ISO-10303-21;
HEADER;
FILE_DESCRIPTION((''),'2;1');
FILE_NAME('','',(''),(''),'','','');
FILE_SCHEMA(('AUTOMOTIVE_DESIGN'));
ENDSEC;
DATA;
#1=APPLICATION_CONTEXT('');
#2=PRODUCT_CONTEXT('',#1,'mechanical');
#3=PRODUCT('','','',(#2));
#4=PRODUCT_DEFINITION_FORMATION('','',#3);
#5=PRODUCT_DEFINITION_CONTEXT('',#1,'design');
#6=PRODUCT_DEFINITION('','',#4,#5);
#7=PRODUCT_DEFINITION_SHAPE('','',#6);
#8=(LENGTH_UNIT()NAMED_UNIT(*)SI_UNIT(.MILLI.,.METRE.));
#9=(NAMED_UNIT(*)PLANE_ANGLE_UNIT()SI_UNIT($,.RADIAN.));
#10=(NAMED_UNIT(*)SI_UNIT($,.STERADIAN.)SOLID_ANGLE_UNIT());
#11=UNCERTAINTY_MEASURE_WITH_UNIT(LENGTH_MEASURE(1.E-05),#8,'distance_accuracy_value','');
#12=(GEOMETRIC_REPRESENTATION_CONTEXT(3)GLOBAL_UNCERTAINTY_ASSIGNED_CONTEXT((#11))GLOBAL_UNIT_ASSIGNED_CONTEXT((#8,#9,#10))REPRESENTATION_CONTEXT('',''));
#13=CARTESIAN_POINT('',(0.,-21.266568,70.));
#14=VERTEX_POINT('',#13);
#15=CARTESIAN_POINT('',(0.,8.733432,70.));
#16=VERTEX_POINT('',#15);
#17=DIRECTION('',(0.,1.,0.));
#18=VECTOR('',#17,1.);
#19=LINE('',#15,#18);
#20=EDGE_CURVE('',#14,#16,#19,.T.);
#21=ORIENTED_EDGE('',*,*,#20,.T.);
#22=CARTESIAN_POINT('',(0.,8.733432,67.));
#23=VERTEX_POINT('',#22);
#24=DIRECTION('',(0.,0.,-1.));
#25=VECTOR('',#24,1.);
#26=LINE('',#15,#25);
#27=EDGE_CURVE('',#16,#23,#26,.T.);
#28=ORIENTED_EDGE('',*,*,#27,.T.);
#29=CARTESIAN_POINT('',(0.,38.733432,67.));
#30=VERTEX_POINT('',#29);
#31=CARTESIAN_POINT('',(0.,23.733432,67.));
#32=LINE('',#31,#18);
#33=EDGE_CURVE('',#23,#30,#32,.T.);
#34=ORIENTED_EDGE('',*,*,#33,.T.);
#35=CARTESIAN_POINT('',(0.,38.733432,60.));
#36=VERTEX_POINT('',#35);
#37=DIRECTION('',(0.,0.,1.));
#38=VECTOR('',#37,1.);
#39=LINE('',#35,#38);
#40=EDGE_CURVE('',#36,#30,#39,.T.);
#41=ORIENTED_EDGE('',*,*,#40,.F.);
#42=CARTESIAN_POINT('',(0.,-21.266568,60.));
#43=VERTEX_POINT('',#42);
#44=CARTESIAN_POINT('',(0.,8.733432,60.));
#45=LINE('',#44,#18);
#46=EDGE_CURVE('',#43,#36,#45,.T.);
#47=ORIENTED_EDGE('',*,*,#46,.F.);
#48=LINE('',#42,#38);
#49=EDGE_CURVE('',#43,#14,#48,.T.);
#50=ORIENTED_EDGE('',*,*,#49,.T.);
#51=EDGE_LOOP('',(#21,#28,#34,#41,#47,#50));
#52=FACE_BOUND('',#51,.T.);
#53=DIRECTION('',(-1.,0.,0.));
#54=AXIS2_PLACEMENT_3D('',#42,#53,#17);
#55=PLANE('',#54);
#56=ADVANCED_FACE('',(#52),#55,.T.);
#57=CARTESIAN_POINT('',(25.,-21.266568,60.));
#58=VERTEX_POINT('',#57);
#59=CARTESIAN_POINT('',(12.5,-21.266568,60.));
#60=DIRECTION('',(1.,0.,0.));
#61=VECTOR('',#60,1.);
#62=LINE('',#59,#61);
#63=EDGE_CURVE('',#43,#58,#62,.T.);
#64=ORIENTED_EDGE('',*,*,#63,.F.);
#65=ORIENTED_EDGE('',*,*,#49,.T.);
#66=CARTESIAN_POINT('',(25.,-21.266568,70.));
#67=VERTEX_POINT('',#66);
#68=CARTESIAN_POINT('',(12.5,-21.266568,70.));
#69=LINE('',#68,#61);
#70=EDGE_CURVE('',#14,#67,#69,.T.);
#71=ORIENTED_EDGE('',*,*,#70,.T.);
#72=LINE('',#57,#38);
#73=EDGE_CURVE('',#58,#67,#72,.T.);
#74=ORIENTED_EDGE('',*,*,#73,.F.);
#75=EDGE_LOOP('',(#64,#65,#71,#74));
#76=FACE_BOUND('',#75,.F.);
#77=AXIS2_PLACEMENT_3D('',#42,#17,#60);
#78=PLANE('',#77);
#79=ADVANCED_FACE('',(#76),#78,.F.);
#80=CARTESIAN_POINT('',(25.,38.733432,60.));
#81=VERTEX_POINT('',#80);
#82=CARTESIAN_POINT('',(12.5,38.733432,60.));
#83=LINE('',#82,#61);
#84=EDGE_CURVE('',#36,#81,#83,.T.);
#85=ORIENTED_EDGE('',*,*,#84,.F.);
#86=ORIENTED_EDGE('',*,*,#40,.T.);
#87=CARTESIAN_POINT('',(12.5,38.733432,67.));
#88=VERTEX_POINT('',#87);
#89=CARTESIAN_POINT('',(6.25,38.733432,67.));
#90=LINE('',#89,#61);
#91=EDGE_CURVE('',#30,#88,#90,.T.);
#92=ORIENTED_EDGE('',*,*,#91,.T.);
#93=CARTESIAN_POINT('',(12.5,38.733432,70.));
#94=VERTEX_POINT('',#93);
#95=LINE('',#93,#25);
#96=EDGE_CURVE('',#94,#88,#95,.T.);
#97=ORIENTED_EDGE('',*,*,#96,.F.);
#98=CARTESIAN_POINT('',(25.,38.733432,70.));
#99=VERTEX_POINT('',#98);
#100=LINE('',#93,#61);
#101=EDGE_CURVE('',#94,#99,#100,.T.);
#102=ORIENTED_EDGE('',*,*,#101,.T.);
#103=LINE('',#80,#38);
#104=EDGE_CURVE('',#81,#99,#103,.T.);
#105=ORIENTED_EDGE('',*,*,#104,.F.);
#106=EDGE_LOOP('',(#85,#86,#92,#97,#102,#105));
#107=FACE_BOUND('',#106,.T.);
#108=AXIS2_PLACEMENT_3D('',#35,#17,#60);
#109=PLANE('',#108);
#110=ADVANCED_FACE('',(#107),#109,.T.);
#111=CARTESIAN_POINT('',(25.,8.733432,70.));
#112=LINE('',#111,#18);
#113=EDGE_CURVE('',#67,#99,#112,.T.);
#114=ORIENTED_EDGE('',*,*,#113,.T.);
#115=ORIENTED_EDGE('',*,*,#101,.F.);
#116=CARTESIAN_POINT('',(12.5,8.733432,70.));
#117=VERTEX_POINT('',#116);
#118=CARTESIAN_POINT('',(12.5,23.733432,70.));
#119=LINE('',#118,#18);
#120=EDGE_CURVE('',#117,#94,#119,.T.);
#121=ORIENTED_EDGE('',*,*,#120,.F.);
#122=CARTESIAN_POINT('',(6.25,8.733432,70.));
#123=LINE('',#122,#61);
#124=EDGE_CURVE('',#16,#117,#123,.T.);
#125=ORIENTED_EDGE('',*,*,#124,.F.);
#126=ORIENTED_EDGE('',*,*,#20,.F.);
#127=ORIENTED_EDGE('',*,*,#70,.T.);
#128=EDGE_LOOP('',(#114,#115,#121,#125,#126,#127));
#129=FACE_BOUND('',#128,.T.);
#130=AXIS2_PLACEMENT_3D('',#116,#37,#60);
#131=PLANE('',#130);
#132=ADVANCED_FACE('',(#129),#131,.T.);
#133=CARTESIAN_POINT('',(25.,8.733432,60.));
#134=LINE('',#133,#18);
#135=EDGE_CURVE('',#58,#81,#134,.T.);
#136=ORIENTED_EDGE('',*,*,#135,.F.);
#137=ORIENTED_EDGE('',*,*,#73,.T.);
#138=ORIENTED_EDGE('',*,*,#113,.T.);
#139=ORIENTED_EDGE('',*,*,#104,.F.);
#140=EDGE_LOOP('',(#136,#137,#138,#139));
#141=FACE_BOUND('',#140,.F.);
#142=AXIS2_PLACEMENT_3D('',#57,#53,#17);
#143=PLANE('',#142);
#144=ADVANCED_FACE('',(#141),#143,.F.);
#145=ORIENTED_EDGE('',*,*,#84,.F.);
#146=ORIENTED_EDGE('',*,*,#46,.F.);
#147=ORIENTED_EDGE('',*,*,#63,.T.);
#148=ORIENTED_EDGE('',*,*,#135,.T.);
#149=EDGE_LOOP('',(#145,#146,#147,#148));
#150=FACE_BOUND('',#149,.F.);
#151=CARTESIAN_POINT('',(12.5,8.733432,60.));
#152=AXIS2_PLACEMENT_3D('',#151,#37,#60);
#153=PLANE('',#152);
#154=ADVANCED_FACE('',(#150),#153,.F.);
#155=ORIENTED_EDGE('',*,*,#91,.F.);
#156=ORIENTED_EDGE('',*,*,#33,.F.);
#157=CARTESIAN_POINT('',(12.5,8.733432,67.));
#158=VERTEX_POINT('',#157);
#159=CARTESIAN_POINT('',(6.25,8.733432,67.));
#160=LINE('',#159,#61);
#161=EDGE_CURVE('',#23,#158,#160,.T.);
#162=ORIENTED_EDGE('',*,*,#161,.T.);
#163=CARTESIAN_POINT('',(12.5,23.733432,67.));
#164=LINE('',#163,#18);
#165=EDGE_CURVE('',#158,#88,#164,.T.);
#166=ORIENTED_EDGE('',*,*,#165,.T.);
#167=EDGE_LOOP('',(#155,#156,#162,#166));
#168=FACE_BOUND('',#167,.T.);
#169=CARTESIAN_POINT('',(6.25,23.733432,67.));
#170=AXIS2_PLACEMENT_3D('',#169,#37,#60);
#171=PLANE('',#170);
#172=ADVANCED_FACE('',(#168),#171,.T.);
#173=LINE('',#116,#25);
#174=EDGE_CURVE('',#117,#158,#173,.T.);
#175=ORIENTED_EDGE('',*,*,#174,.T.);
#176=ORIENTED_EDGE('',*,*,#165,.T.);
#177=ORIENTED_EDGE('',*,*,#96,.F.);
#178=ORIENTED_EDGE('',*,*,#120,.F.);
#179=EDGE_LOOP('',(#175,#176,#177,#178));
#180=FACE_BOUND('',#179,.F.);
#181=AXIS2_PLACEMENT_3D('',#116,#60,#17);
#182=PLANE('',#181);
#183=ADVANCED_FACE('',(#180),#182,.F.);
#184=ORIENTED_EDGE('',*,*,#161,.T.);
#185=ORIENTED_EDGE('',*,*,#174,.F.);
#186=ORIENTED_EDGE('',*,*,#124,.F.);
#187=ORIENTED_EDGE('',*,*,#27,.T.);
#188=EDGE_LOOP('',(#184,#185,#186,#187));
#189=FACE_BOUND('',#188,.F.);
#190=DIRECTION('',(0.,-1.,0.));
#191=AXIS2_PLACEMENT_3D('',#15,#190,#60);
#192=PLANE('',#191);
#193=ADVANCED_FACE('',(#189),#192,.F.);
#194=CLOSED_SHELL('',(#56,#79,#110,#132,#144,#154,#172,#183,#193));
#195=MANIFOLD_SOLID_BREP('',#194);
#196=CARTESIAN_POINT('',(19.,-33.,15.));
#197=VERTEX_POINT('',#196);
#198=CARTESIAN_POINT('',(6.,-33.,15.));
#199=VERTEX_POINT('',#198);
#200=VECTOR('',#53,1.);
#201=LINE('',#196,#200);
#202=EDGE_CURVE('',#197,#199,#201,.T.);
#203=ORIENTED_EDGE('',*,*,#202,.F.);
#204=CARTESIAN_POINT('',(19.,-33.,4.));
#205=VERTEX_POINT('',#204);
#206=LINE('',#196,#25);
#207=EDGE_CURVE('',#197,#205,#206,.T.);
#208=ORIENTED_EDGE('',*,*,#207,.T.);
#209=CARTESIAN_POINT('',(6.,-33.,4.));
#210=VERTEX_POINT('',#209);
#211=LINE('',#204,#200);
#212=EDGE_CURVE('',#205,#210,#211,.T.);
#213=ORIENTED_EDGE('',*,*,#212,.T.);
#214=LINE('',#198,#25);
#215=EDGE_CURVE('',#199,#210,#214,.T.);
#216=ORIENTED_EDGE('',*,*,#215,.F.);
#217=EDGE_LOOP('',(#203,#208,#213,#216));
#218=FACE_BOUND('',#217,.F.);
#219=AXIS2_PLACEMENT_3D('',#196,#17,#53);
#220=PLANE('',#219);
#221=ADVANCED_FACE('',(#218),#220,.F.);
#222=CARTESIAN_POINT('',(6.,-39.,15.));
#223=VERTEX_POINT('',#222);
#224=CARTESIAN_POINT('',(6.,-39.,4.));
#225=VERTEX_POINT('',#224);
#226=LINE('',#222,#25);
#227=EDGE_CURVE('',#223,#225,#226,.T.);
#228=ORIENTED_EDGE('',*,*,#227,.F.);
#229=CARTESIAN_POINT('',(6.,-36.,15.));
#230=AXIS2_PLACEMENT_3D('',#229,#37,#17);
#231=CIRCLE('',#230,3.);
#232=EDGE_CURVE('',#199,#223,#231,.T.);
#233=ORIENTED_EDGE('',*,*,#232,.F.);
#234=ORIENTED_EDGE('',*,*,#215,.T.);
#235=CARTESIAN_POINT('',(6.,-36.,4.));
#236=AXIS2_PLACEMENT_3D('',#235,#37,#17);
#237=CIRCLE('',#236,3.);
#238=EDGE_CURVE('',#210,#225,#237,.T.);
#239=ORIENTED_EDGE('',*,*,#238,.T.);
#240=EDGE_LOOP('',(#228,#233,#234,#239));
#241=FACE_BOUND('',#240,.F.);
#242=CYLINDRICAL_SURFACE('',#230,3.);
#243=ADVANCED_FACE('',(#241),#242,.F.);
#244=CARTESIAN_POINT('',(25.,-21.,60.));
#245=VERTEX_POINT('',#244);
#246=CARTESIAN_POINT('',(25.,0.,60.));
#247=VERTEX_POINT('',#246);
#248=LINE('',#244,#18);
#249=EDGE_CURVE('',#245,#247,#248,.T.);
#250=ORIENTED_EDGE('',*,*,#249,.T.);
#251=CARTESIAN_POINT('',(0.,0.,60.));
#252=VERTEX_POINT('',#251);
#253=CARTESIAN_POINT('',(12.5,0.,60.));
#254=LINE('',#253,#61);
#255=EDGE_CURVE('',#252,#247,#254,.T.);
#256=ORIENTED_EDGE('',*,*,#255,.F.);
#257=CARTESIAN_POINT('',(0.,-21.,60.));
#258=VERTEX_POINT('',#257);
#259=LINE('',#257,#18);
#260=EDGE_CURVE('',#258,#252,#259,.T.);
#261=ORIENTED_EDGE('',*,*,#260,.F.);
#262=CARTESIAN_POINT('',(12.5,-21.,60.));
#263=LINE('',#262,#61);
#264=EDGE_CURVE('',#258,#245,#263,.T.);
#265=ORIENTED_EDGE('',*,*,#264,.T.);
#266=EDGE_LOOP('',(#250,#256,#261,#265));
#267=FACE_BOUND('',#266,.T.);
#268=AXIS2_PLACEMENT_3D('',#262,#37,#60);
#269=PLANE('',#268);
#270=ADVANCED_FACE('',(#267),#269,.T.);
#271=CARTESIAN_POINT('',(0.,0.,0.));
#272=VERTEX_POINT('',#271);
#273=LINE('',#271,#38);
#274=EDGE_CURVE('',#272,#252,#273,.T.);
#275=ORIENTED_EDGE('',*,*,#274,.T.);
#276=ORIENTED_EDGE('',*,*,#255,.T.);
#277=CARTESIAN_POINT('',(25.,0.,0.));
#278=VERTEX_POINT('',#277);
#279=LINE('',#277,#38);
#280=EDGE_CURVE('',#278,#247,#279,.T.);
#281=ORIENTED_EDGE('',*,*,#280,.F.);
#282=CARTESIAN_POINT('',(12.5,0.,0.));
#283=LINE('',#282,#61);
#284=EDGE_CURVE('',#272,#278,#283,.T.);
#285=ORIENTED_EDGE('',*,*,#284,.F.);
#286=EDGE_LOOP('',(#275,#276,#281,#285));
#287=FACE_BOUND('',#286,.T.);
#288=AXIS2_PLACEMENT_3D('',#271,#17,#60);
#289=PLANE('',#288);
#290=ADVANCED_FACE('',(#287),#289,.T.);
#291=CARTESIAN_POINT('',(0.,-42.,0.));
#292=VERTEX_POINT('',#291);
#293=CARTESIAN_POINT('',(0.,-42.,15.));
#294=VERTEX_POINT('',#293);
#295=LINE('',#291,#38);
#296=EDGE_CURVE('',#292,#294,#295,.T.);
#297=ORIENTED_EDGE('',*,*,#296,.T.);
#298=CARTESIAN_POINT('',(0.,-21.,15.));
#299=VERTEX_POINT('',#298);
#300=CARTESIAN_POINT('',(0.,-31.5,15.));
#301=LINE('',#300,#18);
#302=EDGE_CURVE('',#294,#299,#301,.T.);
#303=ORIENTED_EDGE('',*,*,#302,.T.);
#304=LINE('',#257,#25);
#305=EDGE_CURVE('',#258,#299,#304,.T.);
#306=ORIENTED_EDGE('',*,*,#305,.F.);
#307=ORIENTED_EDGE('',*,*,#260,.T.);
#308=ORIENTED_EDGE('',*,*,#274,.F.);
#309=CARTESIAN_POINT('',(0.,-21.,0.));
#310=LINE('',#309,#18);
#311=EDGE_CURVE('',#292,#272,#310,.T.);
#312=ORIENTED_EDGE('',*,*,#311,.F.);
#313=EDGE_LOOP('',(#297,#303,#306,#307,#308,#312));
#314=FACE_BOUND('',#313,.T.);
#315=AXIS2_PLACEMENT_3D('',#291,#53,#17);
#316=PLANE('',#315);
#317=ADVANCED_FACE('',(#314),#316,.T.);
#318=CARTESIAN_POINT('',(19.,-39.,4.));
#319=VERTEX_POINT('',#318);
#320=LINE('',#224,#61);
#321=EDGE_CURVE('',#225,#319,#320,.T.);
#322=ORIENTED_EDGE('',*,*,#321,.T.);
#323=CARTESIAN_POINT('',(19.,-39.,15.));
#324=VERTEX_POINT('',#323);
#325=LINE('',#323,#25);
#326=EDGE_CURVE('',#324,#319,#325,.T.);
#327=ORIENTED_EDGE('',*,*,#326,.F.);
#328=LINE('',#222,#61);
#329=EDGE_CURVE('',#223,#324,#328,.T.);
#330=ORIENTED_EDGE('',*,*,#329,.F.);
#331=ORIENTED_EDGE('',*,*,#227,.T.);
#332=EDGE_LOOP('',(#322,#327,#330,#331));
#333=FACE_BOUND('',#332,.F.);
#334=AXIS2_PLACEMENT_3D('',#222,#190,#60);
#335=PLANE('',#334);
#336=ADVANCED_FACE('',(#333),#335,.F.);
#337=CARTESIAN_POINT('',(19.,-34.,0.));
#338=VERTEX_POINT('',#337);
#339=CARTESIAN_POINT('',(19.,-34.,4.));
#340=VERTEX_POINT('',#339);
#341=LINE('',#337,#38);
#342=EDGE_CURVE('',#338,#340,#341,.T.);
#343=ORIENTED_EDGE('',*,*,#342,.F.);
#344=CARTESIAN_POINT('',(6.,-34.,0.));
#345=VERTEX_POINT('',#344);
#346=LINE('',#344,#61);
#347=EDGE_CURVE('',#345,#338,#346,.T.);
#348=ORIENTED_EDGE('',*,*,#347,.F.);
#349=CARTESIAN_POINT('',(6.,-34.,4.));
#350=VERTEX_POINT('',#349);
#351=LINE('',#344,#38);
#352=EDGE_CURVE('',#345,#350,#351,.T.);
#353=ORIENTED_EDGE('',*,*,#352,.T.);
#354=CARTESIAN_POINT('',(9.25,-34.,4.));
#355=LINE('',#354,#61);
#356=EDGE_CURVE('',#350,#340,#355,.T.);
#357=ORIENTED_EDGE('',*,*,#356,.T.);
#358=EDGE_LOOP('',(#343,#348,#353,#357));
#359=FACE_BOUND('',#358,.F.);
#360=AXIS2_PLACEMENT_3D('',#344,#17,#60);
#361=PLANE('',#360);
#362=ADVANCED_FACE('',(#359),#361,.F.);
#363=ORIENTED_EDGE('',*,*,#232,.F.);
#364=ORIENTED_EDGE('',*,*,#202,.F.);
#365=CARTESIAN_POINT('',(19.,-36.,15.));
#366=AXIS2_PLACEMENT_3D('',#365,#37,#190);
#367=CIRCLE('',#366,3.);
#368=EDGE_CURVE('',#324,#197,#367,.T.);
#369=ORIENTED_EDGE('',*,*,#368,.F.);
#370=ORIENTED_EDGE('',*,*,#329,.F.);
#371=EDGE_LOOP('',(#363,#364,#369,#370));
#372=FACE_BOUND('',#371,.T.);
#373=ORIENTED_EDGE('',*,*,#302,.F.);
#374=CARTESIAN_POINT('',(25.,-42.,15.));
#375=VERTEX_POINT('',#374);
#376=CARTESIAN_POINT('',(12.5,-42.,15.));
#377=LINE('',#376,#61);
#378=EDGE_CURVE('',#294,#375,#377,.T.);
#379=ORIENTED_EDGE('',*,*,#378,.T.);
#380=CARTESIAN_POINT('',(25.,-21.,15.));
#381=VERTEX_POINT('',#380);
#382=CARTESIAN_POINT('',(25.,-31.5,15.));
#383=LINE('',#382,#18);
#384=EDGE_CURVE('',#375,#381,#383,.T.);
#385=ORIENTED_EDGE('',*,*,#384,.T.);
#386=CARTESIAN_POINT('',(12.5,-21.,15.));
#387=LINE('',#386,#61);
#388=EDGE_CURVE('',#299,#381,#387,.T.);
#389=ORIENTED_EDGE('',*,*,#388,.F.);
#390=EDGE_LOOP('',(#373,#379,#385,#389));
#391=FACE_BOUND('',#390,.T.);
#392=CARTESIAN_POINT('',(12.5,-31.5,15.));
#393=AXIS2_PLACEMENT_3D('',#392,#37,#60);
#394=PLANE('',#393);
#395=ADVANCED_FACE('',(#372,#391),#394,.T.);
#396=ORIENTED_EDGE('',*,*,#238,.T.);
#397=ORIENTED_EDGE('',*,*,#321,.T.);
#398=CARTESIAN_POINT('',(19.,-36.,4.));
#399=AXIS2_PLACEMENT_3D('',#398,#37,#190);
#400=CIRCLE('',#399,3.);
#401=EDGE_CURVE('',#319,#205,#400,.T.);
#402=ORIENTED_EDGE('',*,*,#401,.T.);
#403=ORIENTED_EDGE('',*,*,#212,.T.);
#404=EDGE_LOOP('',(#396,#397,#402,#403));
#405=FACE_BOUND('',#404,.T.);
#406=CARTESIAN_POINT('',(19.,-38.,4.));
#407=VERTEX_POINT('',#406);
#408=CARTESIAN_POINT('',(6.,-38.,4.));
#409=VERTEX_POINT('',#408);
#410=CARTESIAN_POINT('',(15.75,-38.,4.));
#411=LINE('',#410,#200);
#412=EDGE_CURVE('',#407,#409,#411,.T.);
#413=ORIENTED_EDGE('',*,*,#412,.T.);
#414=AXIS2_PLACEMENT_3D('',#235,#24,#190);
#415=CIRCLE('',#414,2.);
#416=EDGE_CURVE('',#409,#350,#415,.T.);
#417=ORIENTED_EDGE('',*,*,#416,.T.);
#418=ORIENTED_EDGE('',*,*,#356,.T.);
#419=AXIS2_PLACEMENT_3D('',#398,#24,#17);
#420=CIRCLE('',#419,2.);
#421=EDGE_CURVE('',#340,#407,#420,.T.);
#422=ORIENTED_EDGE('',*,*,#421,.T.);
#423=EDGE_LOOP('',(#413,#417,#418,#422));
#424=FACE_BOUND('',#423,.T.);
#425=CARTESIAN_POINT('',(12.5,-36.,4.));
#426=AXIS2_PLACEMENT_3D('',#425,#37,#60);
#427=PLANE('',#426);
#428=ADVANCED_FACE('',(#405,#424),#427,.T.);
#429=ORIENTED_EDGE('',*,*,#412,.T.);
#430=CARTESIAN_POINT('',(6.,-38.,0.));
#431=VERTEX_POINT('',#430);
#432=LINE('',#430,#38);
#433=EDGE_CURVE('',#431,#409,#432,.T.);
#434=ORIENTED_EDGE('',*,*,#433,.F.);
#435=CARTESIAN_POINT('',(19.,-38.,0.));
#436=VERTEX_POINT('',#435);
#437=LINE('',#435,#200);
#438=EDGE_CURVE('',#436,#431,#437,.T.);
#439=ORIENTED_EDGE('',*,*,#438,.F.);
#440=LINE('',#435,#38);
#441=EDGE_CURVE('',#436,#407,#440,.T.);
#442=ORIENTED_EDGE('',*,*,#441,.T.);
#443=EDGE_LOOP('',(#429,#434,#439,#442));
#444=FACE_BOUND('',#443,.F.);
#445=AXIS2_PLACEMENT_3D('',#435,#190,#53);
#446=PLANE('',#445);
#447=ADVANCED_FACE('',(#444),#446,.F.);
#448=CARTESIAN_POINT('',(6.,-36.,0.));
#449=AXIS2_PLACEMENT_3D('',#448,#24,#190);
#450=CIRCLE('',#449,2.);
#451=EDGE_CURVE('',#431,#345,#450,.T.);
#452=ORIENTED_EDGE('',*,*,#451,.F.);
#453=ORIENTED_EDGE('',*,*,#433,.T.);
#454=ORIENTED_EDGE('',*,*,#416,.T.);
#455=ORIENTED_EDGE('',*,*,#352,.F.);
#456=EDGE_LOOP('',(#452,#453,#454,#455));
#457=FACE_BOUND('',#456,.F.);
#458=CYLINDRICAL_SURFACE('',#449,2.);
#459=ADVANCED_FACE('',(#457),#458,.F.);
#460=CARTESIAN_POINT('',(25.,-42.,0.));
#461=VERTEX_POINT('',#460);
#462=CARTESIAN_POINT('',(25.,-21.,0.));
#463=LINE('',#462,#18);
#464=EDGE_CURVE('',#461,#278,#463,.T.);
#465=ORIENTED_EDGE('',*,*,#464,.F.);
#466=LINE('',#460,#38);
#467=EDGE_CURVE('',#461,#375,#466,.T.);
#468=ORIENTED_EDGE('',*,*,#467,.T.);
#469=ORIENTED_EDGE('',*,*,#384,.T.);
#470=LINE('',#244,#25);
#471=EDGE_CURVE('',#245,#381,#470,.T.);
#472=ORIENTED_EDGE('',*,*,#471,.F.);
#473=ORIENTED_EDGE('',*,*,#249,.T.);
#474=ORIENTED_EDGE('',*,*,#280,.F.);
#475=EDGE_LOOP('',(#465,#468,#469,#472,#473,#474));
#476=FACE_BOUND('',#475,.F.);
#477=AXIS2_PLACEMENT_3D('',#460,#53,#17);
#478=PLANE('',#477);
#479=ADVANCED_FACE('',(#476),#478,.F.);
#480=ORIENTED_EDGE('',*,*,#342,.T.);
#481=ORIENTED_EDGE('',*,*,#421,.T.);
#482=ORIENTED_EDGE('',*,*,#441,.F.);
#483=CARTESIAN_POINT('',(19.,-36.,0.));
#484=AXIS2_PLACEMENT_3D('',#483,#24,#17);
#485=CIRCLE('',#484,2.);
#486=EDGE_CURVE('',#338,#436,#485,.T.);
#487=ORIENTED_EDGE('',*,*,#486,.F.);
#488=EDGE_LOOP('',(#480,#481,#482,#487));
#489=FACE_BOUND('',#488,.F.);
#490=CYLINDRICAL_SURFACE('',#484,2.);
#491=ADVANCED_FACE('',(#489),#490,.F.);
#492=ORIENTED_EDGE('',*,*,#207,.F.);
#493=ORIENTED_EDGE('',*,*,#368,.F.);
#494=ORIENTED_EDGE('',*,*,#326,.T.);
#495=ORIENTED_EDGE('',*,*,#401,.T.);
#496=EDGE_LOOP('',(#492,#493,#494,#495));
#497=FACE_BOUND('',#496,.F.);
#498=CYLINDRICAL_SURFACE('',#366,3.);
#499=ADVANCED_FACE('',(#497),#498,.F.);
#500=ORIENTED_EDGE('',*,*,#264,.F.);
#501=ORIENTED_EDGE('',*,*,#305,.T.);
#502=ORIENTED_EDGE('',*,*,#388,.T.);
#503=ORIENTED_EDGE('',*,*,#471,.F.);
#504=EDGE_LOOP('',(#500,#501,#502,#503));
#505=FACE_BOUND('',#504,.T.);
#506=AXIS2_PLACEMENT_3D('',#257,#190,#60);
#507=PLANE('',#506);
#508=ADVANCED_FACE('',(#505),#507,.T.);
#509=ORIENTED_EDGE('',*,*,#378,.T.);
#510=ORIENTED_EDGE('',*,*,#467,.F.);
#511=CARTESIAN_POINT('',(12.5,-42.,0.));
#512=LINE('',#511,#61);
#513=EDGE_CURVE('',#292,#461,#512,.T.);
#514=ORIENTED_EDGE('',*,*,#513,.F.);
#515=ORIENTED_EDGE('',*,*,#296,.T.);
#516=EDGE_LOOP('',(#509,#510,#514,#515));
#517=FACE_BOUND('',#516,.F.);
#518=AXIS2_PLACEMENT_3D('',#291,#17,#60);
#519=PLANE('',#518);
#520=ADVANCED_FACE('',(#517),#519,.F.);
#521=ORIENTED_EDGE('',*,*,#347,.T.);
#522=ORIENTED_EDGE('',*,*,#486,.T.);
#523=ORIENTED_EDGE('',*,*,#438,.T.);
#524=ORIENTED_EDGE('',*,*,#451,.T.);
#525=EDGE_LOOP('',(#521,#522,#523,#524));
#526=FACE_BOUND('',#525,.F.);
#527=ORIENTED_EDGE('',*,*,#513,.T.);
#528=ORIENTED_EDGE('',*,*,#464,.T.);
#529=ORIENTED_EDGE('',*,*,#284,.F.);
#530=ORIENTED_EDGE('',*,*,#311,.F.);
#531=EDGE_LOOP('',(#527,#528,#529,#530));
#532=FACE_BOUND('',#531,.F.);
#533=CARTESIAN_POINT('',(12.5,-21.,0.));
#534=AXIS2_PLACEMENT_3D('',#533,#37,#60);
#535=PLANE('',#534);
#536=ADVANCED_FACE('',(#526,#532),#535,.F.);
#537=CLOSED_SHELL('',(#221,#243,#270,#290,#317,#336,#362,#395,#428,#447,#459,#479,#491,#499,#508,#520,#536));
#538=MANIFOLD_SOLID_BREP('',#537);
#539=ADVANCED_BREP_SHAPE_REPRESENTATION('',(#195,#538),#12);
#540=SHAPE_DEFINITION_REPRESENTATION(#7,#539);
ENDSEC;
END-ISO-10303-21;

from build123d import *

# Parameters (mm, degrees)
F0_W      = 25
F0_H      = 42
F1_DEPTH  = 60
F2_W      = 25
F2_H      = 21
F3_DEPTH  = 45
F5_DEPTH  = 35
F7_DEPTH  = 11
F9_W      = 25
F9_H      = 60
F10_DEPTH = 10
F11_W     = 12.5
F11_H     = 30
F12_DEPTH = 3


with BuildPart() as f1:
    # F0 (on Top) → F1 (new body)
    with BuildSketch(Plane.XY):
        with Locations((12.5, -21)):
            Rectangle(F0_W, F0_H)
    extrude(amount=F1_DEPTH)

    # F2 (on face) → F3 (cut)
    with BuildSketch(Plane.XY.offset(60)):
        with Locations((12.5, -31.5)):
            Rectangle(F2_W, F2_H)
    extrude(amount=-F3_DEPTH, mode=Mode.SUBTRACT)

    # F4 (on face) → F5 (cut)
    with BuildSketch(Plane(origin=(0, 0, 0), x_dir=(1, 0, 0), z_dir=(0, 0, -1))):
        with BuildLine():
            Line((19, 38), (6, 38))
            ThreePointArc((6, 38), (4, 36), (6, 34))
            Line((6, 34), (19, 34))
            ThreePointArc((19, 34), (21, 36), (19, 38))
        make_face()
    extrude(amount=-F5_DEPTH, mode=Mode.SUBTRACT)

    # F6 (on face) → F7 (cut)
    with BuildSketch(Plane.XY.offset(15)):
        with BuildLine():
            ThreePointArc((6, -33), (3, -36), (6, -39))
            Line((6, -39), (19, -39))
            ThreePointArc((19, -39), (22, -36), (19, -33))
            Line((19, -33), (6, -33))
        make_face()
    extrude(amount=-F7_DEPTH, mode=Mode.SUBTRACT)


with BuildPart() as f10:
    # F9 (on offset) → F10 (new body)
    with BuildSketch(Plane.XY.offset(60)):
        with Locations((12.5, 8.733432)):
            Rectangle(F9_W, F9_H)
    extrude(amount=F10_DEPTH)

    # F11 (on face) → F12 (cut)
    with BuildSketch(Plane.XY.offset(70)):
        with Locations((6.25, 23.733432)):
            Rectangle(F11_W, F11_H)
    extrude(amount=-F12_DEPTH, mode=Mode.SUBTRACT)


solid = Compound([f1.part, f10.part])
